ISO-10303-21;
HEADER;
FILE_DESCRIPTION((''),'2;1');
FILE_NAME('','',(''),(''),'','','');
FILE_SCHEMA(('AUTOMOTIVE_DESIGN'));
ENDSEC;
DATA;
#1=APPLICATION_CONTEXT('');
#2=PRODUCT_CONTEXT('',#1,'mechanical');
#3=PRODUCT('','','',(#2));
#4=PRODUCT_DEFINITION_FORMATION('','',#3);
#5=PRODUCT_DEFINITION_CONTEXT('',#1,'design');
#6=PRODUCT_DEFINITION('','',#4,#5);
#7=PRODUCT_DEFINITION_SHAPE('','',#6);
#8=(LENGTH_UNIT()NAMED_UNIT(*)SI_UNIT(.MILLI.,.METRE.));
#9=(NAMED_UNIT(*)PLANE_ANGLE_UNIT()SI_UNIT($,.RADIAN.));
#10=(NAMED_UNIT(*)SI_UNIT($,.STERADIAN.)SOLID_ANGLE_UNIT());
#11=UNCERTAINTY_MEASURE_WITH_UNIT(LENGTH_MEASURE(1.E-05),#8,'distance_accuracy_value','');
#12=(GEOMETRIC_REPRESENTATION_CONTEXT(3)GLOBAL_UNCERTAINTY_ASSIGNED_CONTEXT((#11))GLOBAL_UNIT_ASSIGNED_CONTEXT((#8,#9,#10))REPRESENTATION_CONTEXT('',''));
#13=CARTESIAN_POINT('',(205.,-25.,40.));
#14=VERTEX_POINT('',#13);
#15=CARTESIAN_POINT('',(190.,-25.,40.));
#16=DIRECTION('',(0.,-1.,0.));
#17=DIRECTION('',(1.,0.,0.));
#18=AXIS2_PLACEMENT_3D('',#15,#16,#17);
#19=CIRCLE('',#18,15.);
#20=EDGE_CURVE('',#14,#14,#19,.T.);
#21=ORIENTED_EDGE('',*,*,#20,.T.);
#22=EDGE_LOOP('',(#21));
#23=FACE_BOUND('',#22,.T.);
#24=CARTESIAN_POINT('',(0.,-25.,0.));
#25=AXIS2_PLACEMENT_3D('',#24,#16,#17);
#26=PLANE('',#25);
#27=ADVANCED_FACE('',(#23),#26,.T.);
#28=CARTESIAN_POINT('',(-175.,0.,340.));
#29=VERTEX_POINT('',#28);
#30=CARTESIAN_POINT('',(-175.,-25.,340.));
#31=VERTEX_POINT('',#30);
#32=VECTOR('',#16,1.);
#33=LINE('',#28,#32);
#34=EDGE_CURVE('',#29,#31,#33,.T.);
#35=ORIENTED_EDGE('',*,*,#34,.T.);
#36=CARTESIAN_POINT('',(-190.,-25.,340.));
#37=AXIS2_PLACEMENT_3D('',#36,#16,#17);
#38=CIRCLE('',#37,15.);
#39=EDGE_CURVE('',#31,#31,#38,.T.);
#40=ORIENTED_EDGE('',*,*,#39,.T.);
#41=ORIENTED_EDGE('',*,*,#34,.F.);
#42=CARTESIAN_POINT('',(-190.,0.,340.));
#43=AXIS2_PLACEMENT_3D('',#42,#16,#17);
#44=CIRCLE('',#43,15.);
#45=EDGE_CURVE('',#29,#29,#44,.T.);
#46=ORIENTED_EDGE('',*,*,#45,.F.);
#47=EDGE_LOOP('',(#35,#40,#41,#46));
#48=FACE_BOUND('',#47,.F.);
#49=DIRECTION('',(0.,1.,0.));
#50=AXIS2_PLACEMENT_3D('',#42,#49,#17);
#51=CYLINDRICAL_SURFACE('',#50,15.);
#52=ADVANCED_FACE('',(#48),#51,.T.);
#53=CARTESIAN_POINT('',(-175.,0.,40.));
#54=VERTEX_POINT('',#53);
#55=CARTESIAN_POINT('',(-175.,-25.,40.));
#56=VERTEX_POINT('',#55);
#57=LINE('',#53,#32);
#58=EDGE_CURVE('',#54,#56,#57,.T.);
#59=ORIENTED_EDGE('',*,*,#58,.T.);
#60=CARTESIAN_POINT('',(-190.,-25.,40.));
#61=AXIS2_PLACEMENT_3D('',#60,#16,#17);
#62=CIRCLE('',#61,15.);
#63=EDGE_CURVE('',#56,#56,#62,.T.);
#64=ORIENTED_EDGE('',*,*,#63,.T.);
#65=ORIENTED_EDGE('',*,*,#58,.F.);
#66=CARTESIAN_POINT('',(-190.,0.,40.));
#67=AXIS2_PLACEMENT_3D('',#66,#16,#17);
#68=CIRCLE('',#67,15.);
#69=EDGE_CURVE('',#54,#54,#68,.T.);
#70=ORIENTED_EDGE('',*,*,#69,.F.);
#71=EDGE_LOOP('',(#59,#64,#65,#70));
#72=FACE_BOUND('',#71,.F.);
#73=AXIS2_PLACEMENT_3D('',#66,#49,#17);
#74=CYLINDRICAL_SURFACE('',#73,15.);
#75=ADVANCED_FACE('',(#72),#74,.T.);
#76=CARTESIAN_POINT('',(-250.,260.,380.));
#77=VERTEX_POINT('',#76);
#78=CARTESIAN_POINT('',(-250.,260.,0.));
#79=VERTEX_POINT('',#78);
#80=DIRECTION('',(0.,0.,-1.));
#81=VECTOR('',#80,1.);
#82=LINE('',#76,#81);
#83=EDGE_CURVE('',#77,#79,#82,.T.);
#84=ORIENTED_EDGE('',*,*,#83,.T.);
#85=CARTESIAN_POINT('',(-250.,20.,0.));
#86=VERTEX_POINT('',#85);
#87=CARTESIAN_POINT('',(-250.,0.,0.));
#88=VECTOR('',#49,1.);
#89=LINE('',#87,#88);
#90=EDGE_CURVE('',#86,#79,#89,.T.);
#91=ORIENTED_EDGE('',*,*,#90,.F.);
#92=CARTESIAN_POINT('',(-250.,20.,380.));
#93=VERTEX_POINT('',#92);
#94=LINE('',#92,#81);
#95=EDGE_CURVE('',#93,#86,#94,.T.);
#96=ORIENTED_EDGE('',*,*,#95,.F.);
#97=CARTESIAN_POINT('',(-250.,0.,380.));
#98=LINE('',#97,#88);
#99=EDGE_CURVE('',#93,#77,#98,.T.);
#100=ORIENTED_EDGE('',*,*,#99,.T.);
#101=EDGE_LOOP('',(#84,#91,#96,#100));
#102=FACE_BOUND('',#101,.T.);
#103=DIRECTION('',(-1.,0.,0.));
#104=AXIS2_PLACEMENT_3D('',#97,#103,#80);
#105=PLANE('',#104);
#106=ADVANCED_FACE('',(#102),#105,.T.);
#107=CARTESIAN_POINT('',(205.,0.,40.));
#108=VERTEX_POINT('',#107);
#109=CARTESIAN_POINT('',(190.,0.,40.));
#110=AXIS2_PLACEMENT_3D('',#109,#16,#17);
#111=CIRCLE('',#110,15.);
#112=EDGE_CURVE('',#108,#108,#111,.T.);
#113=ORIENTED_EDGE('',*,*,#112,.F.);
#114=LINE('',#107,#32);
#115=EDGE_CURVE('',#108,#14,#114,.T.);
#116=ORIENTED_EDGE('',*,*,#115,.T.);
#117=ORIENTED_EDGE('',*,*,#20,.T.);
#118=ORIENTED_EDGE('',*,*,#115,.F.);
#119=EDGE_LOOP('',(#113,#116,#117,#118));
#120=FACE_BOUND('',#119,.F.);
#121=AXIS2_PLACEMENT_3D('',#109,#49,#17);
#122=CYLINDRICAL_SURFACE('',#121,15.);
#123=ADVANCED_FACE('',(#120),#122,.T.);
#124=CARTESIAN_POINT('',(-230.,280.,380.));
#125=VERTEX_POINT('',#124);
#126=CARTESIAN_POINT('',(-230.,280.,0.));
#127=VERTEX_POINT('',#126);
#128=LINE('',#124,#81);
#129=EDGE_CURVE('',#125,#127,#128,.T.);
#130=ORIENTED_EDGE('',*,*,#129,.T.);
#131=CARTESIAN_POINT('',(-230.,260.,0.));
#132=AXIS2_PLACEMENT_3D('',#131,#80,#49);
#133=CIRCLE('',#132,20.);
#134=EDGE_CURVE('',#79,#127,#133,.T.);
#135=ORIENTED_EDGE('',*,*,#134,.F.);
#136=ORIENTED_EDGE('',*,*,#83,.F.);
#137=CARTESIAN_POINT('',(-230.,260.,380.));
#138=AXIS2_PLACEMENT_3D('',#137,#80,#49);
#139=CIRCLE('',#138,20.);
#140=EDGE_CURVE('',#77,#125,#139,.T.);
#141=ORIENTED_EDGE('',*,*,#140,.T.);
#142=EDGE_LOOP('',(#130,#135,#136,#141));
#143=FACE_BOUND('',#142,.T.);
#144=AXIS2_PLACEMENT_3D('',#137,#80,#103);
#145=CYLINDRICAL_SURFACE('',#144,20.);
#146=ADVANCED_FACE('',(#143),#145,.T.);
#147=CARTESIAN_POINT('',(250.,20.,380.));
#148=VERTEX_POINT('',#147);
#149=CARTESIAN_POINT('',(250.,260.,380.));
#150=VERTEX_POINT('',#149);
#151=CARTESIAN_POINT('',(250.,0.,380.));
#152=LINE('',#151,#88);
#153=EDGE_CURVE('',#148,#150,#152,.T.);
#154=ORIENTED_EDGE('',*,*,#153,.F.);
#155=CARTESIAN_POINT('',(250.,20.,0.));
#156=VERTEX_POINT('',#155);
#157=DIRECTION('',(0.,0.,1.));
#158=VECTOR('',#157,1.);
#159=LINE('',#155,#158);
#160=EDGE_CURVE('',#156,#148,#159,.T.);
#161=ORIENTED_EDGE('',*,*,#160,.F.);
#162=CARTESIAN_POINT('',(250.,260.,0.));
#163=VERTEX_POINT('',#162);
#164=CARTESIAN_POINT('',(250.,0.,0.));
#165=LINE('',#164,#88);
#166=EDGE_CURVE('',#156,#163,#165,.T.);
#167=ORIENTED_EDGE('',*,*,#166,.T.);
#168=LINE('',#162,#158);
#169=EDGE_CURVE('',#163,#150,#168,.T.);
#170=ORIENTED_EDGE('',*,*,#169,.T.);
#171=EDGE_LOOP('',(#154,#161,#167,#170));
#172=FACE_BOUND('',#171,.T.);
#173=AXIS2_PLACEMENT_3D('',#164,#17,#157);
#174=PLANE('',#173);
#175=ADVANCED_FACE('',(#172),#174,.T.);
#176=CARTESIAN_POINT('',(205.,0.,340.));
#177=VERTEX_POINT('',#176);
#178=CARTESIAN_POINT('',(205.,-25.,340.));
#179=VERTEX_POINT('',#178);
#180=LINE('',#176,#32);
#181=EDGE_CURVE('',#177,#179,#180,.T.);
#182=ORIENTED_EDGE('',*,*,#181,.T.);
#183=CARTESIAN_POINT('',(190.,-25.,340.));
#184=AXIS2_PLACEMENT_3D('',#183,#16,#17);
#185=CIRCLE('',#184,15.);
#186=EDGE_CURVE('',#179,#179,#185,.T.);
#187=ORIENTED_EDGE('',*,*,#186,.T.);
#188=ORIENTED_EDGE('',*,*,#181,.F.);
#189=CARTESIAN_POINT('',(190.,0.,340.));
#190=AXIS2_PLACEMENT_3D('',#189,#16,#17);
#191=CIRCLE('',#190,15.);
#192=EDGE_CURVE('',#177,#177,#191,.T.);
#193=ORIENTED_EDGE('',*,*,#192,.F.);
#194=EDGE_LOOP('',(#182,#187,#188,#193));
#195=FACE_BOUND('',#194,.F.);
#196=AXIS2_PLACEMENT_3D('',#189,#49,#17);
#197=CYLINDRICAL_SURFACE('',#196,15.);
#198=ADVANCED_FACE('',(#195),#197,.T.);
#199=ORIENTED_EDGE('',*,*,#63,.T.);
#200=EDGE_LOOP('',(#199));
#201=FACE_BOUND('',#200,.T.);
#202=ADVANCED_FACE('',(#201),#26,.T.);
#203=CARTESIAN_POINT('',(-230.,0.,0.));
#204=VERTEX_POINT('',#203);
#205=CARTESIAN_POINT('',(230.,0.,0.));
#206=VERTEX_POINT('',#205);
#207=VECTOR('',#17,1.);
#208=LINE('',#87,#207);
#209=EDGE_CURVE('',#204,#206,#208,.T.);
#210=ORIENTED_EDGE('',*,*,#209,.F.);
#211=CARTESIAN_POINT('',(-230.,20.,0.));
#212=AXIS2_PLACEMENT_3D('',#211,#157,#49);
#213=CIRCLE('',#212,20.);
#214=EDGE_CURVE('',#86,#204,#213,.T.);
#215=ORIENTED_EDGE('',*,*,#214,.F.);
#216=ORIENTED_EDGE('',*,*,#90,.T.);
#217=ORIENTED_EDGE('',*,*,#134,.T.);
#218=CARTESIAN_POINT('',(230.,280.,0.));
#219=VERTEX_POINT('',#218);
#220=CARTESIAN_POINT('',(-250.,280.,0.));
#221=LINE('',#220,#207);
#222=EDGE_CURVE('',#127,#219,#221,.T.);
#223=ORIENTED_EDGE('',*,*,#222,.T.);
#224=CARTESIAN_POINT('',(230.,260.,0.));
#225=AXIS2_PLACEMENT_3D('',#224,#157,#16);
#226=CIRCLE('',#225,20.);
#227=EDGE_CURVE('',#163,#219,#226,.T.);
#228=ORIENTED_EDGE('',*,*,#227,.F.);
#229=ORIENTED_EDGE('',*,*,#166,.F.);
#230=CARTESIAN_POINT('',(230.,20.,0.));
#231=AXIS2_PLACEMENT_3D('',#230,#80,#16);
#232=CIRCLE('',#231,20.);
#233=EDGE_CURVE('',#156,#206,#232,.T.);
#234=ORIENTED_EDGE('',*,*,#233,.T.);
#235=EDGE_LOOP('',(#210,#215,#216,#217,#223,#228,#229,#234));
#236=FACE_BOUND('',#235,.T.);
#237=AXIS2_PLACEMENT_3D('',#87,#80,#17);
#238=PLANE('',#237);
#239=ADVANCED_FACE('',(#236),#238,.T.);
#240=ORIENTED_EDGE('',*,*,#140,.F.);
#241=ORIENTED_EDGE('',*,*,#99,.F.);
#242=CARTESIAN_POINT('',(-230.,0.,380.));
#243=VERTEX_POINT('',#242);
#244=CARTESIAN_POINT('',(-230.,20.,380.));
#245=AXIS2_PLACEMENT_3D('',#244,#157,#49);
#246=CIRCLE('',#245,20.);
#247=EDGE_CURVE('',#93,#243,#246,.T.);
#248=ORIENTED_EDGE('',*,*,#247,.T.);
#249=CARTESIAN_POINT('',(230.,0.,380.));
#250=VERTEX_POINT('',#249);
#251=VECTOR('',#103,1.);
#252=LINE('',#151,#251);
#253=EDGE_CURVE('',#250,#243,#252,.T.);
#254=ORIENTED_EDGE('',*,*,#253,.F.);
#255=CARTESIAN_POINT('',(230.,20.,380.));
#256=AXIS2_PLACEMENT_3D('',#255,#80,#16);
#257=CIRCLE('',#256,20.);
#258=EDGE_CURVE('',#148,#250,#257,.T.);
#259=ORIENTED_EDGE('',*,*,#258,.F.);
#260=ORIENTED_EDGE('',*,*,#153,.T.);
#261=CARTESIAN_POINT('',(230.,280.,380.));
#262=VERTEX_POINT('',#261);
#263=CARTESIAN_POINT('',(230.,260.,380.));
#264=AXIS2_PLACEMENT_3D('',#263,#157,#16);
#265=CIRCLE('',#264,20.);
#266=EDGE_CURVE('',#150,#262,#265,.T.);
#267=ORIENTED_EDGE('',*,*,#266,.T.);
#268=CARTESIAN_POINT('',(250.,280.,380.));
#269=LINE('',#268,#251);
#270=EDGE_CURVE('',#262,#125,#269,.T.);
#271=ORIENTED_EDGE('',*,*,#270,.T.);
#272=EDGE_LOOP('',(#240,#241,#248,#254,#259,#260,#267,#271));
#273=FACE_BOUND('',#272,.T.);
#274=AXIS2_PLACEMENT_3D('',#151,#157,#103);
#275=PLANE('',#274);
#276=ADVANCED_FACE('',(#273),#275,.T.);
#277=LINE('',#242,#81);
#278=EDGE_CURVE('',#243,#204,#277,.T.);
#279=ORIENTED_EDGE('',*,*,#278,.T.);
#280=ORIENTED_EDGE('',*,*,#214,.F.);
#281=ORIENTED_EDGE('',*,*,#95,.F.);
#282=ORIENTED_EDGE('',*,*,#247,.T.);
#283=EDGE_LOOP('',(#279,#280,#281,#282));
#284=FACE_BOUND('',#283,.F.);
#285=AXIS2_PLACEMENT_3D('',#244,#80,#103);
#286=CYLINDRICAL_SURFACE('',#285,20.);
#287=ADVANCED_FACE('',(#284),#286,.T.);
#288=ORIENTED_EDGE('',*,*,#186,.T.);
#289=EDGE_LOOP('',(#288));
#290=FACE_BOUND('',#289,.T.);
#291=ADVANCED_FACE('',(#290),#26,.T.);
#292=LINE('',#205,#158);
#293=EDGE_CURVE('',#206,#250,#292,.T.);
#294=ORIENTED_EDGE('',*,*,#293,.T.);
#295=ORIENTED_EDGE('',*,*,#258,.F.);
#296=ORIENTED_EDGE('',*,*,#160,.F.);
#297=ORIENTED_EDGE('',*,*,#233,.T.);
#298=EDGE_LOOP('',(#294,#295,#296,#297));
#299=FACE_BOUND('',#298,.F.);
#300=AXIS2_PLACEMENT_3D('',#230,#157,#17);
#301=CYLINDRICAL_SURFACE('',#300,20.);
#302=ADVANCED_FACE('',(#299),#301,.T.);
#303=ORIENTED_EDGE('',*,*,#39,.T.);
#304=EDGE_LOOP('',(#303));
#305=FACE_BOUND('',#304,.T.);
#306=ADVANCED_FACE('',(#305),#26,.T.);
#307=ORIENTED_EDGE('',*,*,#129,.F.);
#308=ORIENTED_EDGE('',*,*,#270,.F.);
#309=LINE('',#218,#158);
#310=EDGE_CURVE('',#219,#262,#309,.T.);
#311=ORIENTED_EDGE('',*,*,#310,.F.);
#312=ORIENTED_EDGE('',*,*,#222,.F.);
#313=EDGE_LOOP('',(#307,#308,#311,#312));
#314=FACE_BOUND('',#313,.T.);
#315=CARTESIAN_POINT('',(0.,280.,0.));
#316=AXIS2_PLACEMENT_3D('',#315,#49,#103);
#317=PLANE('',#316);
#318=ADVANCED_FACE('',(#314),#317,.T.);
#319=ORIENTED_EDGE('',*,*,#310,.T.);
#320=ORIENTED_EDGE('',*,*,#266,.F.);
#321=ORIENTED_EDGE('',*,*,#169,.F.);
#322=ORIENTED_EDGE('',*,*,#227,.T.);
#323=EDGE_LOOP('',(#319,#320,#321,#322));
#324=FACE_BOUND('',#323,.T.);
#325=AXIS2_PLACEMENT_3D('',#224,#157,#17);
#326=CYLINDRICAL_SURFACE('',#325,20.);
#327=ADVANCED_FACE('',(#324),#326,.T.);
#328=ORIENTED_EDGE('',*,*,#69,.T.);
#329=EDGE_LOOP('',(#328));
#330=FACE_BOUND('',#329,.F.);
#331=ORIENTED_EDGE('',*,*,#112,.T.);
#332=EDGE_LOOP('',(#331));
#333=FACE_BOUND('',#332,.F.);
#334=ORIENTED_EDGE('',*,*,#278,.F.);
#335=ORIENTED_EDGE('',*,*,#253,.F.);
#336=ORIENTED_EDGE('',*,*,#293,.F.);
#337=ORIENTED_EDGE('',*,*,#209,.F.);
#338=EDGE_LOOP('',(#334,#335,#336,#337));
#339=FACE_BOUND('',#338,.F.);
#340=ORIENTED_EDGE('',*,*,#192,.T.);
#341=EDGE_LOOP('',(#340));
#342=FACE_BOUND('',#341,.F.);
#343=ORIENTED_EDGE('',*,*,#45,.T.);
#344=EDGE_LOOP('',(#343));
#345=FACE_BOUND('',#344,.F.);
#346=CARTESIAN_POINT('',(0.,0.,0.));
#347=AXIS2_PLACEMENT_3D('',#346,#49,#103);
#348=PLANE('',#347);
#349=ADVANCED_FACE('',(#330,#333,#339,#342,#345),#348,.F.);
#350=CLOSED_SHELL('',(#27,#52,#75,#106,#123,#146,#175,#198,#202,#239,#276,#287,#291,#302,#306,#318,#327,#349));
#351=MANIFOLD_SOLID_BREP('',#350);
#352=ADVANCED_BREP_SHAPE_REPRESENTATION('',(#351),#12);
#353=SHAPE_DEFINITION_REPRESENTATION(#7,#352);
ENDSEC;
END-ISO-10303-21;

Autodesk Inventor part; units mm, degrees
ref_plane "YZ Plane" through (0, 0, 0) normal (1, 0, 0) x (0, 1, 0)
ref_plane "XZ Plane" through (0, 0, 0) normal (0, 1, 0) x (-1, 0, 0)
ref_plane "XY Plane" through (0, 0, 0) normal (0, 0, 1) x (1, 0, 0)
sketch "Sketch1" plane through (0, 0, 0) normal (0, 1, 0) x (-1, 0, 0)
  line L0 (250, 0) -> (-250, 0)
  line L1 (-250, 0) -> (-250, 380)
  line L2 (-250, 380) -> (250, 380)
  line L3 (250, 380) -> (250, 0)
  point P0 (0, 0)
  point P1 (0, 0)
  dimension "d0" = 500
  dimension "d1" = 380
extrude "Extrusion1" add sketch "Sketch1" along normal blind 280
fillet "Fillet1" radius 20 4 edges at (-250, 280, 190) (-250, 0, 190) (250, 0, 190) (250, 280, 190)
sketch "Sketch2" plane through (-230, 0, 380) normal (0, 0, 1) x (1, 0, 0)
  line L0 (460, 280) -> (0, 280) projected
  line L1 (360, 280) -> (360, 0)
  line L2 (480, 20) -> (480, 260) projected
  line L3 (0, 0) -> (460, 0) projected
  point P0 (230, 0)
  dimension "d5" = 120
split_face "Split1"
sketch "Sketch3" plane through (0, 0, 0) normal (0, -1, 0) x (1, 0, 0)
  circle A0 centre (-190, 340) radius 15
  line L0 (230, 380) -> (230, 0) projected
  line L1 (130, 380) -> (230, 380) projected
  line L2 (-230, 380) -> (130, 380) projected
  line L3 (-230, 0) -> (-230, 380) projected
  line L4 (230, 0) -> (-230, 0) projected
  line L5 (130, 340) -> (190, 340) construction
  line L6 (190, 340) -> (190, 40) construction
  line L7 (190, 40) -> (-190, 40) construction
  line L8 (-190, 40) -> (-190, 340) construction
  line L9 (-190, 340) -> (130, 340) construction
  circle A1 centre (-190, 40) radius 15
  circle A2 centre (190, 40) radius 15
  circle A3 centre (190, 340) radius 15
  point P0 (0, 0)
  dimension "d6" = 30
  dimension "d7" = 40
extrude "Extrusion2" add sketch "Sketch3" along normal blind 25 contours A0 | A1 | A2 | A3
properties part number "Microonde" material "Steel, Galvanized"
